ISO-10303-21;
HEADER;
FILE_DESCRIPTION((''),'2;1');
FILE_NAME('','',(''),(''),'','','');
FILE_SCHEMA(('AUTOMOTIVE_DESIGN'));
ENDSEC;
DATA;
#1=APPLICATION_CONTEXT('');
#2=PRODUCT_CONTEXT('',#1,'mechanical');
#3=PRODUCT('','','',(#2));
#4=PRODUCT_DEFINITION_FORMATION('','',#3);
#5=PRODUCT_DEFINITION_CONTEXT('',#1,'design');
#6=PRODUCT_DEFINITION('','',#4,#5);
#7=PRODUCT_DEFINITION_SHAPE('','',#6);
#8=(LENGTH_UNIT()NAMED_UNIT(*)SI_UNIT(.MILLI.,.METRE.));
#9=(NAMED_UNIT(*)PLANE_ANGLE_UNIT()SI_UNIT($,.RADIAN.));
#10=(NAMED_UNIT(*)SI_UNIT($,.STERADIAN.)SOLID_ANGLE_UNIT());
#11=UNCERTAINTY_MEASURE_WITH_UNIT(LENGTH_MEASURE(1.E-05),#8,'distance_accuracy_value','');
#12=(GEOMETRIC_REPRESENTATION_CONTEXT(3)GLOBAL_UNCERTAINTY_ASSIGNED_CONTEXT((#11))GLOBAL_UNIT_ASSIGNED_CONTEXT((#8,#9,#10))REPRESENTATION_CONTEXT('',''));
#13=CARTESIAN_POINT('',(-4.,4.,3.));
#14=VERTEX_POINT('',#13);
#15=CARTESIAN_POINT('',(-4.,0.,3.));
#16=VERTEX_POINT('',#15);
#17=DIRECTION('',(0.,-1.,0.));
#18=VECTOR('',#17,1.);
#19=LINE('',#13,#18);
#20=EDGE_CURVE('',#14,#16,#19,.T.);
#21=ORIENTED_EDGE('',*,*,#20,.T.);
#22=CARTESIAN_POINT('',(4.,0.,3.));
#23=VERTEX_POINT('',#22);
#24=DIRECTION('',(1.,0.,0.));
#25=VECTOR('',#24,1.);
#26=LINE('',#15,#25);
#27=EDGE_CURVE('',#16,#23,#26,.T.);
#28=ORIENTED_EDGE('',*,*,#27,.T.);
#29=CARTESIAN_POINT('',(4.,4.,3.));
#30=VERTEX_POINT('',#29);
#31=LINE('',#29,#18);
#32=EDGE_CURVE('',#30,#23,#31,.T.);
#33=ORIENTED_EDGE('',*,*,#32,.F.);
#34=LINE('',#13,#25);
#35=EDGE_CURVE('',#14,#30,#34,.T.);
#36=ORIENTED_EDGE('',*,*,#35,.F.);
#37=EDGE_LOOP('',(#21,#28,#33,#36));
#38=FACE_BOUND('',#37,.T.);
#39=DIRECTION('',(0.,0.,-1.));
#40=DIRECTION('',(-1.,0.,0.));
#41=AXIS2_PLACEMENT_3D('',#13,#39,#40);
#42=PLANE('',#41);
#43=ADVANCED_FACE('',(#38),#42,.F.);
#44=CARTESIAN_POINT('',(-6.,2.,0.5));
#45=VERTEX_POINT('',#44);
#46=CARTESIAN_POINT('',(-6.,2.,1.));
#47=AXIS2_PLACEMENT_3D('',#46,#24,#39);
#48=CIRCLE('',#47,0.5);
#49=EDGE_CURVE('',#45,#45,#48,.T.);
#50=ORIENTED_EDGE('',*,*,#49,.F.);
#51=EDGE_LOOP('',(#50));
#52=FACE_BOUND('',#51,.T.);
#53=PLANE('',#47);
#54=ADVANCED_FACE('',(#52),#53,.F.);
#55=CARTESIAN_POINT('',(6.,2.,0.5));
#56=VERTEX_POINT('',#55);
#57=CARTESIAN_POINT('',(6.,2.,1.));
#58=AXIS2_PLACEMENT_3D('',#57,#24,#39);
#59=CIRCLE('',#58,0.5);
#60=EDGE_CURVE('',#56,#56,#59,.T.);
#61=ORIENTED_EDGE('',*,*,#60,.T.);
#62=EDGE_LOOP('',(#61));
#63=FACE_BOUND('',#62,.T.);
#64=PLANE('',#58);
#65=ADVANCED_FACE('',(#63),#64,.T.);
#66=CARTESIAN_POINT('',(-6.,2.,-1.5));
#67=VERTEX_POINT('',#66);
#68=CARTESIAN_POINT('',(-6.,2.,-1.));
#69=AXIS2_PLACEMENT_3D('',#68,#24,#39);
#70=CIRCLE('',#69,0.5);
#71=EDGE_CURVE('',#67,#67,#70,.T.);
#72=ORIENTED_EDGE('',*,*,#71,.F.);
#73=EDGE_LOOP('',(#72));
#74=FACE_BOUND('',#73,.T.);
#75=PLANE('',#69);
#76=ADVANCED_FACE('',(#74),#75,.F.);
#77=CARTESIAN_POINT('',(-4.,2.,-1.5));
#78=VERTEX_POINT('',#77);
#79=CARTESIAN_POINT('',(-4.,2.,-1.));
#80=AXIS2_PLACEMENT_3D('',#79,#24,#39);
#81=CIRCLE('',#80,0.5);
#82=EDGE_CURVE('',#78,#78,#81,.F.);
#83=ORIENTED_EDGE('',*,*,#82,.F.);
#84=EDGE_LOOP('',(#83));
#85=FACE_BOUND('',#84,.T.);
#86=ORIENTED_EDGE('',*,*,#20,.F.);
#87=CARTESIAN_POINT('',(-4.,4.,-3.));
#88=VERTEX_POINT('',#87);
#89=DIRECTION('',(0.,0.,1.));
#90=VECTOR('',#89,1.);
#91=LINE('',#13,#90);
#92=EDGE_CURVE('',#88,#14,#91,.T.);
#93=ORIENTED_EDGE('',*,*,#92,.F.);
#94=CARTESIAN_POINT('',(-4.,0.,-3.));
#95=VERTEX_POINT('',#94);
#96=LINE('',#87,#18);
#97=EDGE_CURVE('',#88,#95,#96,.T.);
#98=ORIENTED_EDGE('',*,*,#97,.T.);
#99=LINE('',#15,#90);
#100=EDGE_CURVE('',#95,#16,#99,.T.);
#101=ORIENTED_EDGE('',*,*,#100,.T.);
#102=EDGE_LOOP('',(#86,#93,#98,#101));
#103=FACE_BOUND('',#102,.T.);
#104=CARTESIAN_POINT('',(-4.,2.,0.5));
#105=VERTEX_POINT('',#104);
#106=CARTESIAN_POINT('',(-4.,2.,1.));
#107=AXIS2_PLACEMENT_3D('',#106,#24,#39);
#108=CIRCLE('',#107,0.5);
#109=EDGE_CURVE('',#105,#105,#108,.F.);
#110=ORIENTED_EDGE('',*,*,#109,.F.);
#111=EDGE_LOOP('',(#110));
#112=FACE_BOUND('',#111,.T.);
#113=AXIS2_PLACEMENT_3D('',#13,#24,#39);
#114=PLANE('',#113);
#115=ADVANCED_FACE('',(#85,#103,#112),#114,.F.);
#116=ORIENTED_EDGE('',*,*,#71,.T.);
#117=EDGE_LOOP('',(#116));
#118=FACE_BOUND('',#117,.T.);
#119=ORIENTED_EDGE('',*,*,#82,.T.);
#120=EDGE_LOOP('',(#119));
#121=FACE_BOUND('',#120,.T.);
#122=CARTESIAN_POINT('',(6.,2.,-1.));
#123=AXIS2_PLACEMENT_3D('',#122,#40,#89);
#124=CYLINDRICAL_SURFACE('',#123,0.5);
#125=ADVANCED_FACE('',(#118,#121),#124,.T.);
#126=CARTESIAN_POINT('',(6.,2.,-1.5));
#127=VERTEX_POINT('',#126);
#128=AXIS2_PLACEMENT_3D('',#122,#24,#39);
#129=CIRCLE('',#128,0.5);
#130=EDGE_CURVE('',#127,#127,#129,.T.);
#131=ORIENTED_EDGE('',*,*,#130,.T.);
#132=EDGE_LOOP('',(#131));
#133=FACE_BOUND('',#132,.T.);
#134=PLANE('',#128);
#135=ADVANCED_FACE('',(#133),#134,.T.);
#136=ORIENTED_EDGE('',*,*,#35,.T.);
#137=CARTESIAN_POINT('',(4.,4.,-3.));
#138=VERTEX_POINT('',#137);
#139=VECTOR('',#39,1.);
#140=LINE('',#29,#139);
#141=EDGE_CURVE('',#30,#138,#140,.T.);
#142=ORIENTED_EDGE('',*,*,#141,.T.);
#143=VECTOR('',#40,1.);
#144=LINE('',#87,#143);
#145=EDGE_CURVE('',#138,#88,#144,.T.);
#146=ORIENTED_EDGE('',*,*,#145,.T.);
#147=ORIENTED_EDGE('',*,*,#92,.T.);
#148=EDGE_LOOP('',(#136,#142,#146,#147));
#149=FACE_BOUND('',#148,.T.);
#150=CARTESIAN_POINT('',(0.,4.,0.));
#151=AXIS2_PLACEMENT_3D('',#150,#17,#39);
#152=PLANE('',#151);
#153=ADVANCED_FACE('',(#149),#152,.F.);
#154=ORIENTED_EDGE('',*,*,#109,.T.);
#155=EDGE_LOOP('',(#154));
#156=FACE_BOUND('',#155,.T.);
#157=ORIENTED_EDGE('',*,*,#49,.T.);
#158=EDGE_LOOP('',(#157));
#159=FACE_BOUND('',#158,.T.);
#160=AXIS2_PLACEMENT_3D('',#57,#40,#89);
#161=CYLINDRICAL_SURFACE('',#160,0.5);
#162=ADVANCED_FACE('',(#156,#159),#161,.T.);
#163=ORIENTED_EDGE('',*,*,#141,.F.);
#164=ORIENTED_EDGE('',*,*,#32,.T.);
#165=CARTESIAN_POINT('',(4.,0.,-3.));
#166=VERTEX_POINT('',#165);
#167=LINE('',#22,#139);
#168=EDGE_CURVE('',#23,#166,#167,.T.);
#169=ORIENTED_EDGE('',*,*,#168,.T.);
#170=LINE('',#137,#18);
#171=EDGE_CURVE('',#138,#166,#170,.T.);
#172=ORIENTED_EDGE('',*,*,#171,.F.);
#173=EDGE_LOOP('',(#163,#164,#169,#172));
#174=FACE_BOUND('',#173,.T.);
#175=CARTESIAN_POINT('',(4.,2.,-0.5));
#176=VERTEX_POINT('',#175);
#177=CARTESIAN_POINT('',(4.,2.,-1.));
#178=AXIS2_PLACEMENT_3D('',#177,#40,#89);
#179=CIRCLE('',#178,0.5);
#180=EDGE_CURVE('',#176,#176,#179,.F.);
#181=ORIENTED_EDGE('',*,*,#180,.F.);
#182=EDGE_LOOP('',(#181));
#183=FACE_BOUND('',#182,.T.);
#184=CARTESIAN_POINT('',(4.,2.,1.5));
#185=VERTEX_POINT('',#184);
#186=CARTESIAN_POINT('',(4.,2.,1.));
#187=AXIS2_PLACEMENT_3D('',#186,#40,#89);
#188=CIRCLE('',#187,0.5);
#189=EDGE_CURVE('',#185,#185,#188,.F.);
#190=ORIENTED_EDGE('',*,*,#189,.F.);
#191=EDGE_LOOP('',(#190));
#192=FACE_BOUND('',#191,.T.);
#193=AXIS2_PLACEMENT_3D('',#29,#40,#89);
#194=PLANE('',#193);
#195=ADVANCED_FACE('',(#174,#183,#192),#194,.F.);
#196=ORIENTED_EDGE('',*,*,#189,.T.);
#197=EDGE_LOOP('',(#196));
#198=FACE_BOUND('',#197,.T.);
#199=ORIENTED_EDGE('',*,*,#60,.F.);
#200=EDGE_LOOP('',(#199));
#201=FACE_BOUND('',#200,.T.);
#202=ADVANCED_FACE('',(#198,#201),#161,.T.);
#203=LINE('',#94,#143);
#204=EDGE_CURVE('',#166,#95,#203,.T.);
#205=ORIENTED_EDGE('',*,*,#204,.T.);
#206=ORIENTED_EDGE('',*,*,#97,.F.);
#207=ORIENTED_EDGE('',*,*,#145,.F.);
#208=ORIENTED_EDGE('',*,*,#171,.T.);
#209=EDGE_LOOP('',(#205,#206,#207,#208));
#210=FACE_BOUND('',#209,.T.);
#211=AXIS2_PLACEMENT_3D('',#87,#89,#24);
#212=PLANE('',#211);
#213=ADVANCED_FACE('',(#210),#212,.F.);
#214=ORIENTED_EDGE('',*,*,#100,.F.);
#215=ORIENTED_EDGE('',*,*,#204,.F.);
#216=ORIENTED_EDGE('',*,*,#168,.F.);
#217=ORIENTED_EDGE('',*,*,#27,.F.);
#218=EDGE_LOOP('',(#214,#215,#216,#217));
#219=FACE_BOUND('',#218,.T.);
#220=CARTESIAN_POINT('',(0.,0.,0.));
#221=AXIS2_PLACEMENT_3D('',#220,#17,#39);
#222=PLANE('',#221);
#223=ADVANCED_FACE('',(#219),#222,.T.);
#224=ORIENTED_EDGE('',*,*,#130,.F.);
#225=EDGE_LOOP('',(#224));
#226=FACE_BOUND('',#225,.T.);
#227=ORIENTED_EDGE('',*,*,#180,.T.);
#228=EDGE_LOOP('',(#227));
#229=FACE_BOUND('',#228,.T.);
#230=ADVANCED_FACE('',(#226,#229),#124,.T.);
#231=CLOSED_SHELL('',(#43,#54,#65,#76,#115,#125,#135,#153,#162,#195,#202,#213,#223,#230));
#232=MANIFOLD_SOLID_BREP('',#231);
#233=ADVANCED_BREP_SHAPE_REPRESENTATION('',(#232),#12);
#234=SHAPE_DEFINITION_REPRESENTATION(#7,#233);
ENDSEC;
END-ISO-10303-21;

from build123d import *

# Parameters (mm, degrees)
SKETCH1_W           = 8
SKETCH1_H           = 6
BOSS_EXTRUDE1_DEPTH = 4
SKETCH2_R           = 0.5
BOSS_EXTRUDE2_DEPTH = 6


with BuildPart() as part:
    # Sketch1 → Boss-Extrude1 (new body)
    with BuildSketch(Plane(origin=(0, 0, 0), x_dir=(1, 0, 0), z_dir=(0, 1, 0))):
        Rectangle(SKETCH1_W, SKETCH1_H)
    extrude(amount=BOSS_EXTRUDE1_DEPTH)

    # Sketch2 → Boss-Extrude2 (add, symmetric)
    with BuildSketch(Plane(origin=(0, 0, 0), x_dir=(0, 0, -1), z_dir=(1, 0, 0))):
        with Locations((-1, 2)):
            Circle(SKETCH2_R)
        with Locations((1, 2)):
            Circle(SKETCH2_R)
    extrude(amount=BOSS_EXTRUDE2_DEPTH, both=True)


solid = part.part
